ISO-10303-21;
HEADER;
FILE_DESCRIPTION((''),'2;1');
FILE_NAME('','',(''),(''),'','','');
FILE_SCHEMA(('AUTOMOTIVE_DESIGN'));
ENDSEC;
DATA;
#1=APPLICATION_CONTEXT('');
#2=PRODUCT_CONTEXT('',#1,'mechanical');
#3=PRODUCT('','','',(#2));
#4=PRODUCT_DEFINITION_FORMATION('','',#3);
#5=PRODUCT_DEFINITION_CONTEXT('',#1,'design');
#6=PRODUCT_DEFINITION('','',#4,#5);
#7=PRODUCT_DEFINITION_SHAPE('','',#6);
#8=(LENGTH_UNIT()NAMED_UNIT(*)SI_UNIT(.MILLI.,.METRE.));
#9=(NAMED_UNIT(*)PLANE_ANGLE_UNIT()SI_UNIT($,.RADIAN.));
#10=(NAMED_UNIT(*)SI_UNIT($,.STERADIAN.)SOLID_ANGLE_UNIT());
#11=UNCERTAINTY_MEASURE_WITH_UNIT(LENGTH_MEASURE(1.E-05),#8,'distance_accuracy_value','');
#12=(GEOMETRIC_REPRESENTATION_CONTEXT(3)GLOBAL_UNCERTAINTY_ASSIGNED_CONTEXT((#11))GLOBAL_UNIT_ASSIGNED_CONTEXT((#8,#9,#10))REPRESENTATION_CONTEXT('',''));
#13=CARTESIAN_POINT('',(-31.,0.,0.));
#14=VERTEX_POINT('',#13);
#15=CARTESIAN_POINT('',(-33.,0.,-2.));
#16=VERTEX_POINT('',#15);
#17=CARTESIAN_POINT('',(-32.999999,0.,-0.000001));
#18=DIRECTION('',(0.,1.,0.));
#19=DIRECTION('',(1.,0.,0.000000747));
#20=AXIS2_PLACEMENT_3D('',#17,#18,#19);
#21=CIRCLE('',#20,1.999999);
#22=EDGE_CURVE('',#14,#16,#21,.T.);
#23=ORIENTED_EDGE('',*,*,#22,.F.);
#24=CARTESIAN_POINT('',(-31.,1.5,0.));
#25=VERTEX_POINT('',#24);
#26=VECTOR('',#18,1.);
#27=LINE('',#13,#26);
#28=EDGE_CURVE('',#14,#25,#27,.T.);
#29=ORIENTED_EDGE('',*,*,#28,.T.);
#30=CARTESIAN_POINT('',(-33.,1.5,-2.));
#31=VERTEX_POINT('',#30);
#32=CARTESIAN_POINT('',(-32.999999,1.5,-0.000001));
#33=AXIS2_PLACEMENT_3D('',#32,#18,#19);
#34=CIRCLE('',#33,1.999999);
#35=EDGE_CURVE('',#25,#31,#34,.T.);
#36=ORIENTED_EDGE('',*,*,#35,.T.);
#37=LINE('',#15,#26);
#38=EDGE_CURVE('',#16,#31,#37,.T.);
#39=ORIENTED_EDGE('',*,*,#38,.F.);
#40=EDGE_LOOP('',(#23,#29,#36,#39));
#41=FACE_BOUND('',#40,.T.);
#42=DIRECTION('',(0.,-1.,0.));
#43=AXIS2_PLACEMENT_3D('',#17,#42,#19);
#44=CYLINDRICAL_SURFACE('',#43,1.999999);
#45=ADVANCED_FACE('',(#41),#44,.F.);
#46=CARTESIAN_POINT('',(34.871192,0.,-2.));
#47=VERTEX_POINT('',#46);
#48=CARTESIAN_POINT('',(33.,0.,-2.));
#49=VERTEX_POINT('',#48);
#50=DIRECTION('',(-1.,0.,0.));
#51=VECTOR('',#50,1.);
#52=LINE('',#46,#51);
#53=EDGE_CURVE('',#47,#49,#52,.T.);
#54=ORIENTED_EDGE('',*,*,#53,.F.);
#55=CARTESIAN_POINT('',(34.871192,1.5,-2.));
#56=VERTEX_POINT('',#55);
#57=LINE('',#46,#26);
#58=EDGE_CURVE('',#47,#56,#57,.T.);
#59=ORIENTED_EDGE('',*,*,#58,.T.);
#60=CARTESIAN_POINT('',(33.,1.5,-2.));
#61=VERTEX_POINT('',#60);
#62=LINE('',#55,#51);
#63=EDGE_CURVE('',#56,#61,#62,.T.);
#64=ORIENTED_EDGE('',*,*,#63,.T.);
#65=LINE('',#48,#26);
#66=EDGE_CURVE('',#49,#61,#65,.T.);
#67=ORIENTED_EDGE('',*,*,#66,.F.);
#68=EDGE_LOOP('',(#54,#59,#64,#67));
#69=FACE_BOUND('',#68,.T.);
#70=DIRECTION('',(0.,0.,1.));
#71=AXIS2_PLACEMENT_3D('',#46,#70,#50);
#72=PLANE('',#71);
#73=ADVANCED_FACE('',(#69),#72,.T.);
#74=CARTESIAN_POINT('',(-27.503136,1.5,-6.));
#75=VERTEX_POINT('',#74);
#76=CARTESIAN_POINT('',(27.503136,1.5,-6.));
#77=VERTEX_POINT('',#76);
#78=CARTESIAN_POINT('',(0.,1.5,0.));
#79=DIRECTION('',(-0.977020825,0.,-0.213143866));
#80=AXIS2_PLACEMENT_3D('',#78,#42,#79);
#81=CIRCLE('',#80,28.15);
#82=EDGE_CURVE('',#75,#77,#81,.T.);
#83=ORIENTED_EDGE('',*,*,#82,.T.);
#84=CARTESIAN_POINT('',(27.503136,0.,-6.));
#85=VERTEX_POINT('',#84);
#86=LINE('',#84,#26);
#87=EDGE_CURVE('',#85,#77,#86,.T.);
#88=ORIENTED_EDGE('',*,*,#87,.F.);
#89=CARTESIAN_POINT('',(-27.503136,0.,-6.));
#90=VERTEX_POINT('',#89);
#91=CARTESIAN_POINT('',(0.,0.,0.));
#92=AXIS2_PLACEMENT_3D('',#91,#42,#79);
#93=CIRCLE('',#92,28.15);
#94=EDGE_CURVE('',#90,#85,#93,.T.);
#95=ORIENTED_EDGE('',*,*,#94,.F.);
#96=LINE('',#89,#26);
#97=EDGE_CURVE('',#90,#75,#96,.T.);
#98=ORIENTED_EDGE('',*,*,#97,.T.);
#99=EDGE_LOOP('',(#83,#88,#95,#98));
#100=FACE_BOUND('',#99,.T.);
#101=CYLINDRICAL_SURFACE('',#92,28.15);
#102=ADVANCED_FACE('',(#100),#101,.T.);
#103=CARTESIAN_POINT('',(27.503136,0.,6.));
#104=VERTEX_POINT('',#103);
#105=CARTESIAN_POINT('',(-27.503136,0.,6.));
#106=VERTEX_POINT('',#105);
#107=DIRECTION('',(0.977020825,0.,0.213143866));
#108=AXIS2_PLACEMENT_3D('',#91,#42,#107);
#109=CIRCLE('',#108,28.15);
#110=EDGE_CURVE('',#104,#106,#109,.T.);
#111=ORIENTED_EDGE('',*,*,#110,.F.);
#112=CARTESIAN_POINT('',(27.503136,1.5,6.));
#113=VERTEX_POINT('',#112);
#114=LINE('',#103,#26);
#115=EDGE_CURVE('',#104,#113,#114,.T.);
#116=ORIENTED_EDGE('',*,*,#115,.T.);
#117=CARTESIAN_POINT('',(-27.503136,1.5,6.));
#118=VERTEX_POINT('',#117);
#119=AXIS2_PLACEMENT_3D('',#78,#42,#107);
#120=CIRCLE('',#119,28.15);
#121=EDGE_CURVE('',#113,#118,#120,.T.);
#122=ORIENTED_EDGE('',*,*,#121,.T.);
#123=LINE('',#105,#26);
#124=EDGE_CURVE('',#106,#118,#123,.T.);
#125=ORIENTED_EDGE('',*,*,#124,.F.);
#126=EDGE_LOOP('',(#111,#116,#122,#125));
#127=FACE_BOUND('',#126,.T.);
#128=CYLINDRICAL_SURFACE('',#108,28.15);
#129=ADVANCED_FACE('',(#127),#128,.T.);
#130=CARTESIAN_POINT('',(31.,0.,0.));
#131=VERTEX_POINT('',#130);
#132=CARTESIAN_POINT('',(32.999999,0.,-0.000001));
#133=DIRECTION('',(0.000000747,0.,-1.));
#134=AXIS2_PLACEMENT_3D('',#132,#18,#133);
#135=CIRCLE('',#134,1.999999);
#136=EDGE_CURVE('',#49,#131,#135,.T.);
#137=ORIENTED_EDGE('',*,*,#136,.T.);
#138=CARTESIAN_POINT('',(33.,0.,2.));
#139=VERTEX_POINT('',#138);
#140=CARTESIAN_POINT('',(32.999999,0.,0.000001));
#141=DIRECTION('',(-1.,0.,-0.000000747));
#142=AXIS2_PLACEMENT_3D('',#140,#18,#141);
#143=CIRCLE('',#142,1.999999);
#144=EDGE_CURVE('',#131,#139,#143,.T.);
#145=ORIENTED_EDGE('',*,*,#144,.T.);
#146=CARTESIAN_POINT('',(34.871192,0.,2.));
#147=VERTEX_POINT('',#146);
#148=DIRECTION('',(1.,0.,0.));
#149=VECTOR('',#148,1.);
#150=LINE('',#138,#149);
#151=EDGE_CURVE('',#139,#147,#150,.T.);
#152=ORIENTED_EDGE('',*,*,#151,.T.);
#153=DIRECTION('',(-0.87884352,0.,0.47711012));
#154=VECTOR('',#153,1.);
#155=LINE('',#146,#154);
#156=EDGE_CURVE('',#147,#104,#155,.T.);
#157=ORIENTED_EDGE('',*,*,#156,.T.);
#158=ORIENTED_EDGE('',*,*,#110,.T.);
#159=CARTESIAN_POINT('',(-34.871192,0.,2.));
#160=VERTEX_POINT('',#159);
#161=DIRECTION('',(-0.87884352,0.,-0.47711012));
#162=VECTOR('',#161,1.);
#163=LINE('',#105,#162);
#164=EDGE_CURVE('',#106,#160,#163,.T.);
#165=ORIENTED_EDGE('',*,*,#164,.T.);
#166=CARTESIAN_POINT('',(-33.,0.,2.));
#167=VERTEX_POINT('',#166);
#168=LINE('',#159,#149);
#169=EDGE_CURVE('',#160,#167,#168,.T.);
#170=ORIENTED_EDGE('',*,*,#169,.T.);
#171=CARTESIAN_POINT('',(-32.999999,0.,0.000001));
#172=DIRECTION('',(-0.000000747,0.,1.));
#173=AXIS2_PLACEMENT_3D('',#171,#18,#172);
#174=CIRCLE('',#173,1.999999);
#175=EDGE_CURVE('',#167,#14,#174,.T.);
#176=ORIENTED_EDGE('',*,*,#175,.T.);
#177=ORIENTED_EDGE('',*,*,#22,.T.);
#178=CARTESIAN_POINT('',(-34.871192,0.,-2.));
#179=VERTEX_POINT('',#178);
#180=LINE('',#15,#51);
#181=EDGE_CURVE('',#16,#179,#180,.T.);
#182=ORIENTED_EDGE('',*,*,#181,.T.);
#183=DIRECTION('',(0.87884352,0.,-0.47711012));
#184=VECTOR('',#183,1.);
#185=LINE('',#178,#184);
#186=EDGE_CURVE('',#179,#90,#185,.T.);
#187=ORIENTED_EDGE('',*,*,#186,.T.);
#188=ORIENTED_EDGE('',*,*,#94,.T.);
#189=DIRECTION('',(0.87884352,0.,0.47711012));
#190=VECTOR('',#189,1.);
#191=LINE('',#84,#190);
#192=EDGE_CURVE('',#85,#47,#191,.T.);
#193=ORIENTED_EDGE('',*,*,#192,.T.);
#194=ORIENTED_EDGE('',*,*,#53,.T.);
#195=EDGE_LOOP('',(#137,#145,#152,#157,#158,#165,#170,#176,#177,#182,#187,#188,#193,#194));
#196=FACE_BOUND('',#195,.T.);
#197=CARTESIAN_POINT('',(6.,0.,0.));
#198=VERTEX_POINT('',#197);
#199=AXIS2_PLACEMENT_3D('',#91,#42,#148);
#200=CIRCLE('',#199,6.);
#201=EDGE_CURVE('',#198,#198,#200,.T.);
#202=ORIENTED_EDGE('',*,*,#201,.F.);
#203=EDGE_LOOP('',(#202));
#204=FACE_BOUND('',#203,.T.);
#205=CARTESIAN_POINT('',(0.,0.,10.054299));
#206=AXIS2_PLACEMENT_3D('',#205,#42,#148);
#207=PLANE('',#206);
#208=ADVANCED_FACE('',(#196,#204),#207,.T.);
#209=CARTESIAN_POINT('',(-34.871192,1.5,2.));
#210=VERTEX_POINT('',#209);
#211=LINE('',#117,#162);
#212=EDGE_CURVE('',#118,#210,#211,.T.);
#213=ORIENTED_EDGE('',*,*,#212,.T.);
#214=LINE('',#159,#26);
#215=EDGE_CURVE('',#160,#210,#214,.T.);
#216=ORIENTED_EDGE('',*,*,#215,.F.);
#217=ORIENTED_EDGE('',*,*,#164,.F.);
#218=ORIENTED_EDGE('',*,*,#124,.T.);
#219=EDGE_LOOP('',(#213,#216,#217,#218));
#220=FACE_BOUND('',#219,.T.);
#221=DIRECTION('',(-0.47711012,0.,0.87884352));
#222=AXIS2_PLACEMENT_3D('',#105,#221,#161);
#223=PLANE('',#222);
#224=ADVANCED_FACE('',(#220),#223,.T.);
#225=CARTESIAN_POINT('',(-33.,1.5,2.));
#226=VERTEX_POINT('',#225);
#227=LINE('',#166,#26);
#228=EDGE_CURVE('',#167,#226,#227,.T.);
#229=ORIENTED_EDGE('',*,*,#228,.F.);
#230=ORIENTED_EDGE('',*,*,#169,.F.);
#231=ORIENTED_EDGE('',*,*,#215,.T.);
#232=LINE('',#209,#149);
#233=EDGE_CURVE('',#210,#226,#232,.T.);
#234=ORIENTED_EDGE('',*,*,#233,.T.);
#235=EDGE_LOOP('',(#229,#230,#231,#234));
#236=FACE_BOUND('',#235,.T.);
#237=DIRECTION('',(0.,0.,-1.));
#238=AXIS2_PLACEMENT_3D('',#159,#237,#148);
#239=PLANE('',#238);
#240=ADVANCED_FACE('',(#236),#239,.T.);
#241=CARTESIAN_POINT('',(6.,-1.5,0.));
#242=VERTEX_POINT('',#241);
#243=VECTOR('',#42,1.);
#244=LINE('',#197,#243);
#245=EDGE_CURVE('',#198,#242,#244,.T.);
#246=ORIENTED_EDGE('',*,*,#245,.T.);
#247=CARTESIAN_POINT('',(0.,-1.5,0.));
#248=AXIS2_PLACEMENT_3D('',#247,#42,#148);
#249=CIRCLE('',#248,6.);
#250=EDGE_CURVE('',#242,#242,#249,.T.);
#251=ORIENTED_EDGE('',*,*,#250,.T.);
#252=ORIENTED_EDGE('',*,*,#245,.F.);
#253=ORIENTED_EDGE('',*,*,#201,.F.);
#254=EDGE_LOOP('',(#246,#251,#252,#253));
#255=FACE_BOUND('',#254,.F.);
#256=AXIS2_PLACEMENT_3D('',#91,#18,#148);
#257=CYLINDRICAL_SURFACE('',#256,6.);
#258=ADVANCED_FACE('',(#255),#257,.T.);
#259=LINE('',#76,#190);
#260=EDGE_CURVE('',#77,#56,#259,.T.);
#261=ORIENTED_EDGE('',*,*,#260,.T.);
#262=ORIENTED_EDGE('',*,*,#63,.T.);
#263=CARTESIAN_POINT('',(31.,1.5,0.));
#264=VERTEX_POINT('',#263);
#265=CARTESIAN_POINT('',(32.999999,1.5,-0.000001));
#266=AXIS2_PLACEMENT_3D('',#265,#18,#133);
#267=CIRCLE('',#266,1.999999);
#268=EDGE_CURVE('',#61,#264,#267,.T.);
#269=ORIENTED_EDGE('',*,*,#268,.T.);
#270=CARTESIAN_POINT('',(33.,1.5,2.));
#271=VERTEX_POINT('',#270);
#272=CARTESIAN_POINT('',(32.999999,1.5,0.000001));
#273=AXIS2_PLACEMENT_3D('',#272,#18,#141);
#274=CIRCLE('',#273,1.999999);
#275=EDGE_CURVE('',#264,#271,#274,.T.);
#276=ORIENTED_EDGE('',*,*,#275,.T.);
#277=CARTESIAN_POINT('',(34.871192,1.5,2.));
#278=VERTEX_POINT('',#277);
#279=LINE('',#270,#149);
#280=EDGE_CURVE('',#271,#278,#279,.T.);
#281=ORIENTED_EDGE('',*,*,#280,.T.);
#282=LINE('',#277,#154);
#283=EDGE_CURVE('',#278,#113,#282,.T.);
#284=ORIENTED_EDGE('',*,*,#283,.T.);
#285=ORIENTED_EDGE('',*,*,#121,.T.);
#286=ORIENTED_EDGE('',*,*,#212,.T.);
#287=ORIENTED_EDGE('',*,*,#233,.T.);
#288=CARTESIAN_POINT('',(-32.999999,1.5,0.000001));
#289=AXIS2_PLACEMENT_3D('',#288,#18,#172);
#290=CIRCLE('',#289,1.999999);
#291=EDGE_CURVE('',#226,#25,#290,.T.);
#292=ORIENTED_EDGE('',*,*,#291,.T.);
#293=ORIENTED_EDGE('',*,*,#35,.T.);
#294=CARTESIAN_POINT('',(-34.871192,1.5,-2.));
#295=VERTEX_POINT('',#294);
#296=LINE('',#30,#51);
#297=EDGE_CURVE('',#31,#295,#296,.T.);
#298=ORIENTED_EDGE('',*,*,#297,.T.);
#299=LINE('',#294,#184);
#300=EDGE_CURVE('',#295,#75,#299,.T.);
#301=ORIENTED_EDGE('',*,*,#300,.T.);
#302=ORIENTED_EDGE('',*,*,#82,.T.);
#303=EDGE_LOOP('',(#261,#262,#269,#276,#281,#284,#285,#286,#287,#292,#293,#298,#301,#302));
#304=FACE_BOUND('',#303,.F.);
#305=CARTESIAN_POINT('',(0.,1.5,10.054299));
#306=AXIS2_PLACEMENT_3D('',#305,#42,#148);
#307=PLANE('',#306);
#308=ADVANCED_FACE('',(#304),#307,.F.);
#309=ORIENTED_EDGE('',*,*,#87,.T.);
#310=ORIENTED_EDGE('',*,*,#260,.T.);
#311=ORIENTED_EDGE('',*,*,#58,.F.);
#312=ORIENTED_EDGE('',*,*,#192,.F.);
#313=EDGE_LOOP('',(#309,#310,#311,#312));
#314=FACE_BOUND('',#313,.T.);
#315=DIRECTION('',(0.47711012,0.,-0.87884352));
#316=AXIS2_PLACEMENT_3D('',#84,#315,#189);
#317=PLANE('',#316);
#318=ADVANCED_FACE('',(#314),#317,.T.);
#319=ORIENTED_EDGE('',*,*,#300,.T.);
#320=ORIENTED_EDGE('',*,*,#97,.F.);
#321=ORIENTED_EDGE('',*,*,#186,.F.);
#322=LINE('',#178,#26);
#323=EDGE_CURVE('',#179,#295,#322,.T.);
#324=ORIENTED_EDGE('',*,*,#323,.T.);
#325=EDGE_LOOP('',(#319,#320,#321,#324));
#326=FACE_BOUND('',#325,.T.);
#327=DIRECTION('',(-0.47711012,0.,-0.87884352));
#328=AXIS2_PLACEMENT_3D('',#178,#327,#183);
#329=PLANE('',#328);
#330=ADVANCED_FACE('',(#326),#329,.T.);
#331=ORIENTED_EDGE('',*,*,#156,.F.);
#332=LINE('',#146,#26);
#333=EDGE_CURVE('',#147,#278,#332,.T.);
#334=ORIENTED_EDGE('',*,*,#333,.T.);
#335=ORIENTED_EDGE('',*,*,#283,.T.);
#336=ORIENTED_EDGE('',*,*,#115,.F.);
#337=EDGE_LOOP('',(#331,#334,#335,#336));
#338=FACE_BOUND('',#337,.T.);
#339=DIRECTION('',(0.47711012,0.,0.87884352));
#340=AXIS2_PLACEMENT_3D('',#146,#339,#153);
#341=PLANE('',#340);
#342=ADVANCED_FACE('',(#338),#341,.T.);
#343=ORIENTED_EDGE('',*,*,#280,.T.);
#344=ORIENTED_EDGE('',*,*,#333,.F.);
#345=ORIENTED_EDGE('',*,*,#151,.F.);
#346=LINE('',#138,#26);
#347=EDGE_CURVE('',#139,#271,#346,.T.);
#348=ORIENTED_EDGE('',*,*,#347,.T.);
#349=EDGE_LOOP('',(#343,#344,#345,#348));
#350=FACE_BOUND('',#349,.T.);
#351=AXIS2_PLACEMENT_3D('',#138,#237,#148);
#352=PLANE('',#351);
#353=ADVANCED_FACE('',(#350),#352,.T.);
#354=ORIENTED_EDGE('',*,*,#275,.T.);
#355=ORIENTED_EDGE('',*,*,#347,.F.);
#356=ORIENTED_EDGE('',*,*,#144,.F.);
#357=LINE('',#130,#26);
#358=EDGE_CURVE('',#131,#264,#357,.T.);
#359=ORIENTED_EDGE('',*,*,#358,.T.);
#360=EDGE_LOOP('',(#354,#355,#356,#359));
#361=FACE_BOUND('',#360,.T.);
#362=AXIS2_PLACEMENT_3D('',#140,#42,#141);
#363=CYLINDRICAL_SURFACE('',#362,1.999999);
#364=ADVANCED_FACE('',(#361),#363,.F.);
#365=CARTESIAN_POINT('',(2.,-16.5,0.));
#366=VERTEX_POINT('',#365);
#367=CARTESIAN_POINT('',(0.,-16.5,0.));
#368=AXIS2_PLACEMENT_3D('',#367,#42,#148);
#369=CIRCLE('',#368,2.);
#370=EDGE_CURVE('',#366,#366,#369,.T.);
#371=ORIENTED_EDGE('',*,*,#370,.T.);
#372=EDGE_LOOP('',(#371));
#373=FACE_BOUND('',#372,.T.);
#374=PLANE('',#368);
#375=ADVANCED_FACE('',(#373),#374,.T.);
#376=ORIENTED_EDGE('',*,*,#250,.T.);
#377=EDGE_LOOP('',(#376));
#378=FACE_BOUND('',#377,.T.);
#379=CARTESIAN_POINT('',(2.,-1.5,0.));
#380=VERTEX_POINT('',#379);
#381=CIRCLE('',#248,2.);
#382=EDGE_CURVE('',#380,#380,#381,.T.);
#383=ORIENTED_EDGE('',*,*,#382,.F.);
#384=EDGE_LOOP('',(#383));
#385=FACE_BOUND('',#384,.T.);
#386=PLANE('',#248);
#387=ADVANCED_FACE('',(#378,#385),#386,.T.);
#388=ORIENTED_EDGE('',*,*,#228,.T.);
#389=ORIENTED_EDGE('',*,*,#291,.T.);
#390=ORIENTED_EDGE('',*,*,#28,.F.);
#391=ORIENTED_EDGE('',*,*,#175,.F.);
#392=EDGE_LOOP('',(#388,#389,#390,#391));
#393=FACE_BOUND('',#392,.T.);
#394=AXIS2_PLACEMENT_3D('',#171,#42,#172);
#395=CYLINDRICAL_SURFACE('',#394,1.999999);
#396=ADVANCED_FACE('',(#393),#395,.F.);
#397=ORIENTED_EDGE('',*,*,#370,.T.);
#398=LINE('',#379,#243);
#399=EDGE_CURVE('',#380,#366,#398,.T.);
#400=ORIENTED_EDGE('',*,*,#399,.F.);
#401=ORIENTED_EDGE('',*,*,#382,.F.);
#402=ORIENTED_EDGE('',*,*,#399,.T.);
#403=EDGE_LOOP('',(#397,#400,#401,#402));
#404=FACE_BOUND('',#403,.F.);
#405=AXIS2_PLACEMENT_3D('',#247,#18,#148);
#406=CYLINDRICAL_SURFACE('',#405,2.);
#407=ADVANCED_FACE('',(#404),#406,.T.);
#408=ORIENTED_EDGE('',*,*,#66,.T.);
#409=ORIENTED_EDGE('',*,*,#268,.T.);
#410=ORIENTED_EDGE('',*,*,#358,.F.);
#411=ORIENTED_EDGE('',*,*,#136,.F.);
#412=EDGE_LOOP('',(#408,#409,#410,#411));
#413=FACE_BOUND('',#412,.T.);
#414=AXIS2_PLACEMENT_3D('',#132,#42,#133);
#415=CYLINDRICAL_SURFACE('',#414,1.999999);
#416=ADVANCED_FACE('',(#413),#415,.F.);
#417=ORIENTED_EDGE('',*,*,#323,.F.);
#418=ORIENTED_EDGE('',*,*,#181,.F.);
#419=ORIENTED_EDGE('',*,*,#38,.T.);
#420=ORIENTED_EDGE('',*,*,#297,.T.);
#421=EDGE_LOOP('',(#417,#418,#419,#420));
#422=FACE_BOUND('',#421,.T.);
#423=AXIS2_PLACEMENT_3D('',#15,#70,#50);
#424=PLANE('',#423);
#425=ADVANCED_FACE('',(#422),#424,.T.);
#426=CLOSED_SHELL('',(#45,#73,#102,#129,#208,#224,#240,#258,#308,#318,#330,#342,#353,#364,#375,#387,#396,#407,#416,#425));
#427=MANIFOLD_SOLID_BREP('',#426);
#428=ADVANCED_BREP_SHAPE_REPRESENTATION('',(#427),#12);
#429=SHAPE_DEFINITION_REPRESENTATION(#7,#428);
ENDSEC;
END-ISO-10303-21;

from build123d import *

# Parameters (mm, degrees)
F1_R     = 6
F2_DEPTH = 1.5
F3_R     = 2
F4_DEPTH = 15
F5_DEPTH = 1.5


with BuildPart() as f2:
    # F1 (on face) → F2 (new body)
    with BuildSketch(Plane.XZ):
        Circle(F1_R)
    extrude(amount=F2_DEPTH)

    # F3 (on face) → F4 (join)
    with BuildSketch(Plane.XZ.offset(1.5)):
        Circle(F3_R)
    extrude(amount=F4_DEPTH)

    # F0 (on Front) → F5 (join)
    with BuildSketch(Plane.XZ):
        with BuildLine():
            Line((0, 0), (28.15, 0))
            ThreePointArc((28.15, 0), (27.987817, 3.017384), (27.503136, 6))
            ThreePointArc((27.503136, 6), (0, 28.15), (-27.503136, 6))
            ThreePointArc((-27.503136, 6), (-27.987817, 3.017384), (-28.15, 0))
            Line((-28.15, 0), (0, 0))
        make_face()
        with BuildLine():
            Line((31, 0), (28.15, 0))
            ThreePointArc((28.15, 0), (27.987817, -3.017384), (27.503136, -6))
            Line((27.503136, -6), (34.871192, -2))
            Line((34.871192, -2), (33, -2))
            ThreePointArc((33, -2), (31.585786, -1.414214), (31, 0))
        make_face()
        with BuildLine():
            ThreePointArc((27.503136, -6), (27.987817, -3.017384), (28.15, 0))
            Line((28.15, 0), (0, 0))
            Line((0, 0), (-28.15, 0))
            ThreePointArc((-28.15, 0), (-27.987817, -3.017384), (-27.503136, -6))
            ThreePointArc((-27.503136, -6), (0, -28.15), (27.503136, -6))
        make_face()
        with BuildLine():
            ThreePointArc((27.503136, 6), (27.987817, 3.017384), (28.15, 0))
            Line((28.15, 0), (31, 0))
            ThreePointArc((31, 0), (31.585786, 1.414214), (33, 2))
            Line((33, 2), (34.871192, 2))
            Line((34.871192, 2), (27.503136, 6))
        make_face()
        with BuildLine():
            ThreePointArc((-28.15, 0), (-27.987817, 3.017384), (-27.503136, 6))
            Line((-27.503136, 6), (-34.871192, 2))
            Line((-34.871192, 2), (-33, 2))
            ThreePointArc((-33, 2), (-31.585786, 1.414214), (-31, 0))
            Line((-31, 0), (-28.15, 0))
        make_face()
        with BuildLine():
            Line((-34.871192, -2), (-27.503136, -6))
            ThreePointArc((-27.503136, -6), (-27.987817, -3.017384), (-28.15, 0))
            Line((-28.15, 0), (-31, 0))
            ThreePointArc((-31, 0), (-31.585786, -1.414214), (-33, -2))
            Line((-33, -2), (-34.871192, -2))
        make_face()
    extrude(amount=-F5_DEPTH)


solid = f2.part
